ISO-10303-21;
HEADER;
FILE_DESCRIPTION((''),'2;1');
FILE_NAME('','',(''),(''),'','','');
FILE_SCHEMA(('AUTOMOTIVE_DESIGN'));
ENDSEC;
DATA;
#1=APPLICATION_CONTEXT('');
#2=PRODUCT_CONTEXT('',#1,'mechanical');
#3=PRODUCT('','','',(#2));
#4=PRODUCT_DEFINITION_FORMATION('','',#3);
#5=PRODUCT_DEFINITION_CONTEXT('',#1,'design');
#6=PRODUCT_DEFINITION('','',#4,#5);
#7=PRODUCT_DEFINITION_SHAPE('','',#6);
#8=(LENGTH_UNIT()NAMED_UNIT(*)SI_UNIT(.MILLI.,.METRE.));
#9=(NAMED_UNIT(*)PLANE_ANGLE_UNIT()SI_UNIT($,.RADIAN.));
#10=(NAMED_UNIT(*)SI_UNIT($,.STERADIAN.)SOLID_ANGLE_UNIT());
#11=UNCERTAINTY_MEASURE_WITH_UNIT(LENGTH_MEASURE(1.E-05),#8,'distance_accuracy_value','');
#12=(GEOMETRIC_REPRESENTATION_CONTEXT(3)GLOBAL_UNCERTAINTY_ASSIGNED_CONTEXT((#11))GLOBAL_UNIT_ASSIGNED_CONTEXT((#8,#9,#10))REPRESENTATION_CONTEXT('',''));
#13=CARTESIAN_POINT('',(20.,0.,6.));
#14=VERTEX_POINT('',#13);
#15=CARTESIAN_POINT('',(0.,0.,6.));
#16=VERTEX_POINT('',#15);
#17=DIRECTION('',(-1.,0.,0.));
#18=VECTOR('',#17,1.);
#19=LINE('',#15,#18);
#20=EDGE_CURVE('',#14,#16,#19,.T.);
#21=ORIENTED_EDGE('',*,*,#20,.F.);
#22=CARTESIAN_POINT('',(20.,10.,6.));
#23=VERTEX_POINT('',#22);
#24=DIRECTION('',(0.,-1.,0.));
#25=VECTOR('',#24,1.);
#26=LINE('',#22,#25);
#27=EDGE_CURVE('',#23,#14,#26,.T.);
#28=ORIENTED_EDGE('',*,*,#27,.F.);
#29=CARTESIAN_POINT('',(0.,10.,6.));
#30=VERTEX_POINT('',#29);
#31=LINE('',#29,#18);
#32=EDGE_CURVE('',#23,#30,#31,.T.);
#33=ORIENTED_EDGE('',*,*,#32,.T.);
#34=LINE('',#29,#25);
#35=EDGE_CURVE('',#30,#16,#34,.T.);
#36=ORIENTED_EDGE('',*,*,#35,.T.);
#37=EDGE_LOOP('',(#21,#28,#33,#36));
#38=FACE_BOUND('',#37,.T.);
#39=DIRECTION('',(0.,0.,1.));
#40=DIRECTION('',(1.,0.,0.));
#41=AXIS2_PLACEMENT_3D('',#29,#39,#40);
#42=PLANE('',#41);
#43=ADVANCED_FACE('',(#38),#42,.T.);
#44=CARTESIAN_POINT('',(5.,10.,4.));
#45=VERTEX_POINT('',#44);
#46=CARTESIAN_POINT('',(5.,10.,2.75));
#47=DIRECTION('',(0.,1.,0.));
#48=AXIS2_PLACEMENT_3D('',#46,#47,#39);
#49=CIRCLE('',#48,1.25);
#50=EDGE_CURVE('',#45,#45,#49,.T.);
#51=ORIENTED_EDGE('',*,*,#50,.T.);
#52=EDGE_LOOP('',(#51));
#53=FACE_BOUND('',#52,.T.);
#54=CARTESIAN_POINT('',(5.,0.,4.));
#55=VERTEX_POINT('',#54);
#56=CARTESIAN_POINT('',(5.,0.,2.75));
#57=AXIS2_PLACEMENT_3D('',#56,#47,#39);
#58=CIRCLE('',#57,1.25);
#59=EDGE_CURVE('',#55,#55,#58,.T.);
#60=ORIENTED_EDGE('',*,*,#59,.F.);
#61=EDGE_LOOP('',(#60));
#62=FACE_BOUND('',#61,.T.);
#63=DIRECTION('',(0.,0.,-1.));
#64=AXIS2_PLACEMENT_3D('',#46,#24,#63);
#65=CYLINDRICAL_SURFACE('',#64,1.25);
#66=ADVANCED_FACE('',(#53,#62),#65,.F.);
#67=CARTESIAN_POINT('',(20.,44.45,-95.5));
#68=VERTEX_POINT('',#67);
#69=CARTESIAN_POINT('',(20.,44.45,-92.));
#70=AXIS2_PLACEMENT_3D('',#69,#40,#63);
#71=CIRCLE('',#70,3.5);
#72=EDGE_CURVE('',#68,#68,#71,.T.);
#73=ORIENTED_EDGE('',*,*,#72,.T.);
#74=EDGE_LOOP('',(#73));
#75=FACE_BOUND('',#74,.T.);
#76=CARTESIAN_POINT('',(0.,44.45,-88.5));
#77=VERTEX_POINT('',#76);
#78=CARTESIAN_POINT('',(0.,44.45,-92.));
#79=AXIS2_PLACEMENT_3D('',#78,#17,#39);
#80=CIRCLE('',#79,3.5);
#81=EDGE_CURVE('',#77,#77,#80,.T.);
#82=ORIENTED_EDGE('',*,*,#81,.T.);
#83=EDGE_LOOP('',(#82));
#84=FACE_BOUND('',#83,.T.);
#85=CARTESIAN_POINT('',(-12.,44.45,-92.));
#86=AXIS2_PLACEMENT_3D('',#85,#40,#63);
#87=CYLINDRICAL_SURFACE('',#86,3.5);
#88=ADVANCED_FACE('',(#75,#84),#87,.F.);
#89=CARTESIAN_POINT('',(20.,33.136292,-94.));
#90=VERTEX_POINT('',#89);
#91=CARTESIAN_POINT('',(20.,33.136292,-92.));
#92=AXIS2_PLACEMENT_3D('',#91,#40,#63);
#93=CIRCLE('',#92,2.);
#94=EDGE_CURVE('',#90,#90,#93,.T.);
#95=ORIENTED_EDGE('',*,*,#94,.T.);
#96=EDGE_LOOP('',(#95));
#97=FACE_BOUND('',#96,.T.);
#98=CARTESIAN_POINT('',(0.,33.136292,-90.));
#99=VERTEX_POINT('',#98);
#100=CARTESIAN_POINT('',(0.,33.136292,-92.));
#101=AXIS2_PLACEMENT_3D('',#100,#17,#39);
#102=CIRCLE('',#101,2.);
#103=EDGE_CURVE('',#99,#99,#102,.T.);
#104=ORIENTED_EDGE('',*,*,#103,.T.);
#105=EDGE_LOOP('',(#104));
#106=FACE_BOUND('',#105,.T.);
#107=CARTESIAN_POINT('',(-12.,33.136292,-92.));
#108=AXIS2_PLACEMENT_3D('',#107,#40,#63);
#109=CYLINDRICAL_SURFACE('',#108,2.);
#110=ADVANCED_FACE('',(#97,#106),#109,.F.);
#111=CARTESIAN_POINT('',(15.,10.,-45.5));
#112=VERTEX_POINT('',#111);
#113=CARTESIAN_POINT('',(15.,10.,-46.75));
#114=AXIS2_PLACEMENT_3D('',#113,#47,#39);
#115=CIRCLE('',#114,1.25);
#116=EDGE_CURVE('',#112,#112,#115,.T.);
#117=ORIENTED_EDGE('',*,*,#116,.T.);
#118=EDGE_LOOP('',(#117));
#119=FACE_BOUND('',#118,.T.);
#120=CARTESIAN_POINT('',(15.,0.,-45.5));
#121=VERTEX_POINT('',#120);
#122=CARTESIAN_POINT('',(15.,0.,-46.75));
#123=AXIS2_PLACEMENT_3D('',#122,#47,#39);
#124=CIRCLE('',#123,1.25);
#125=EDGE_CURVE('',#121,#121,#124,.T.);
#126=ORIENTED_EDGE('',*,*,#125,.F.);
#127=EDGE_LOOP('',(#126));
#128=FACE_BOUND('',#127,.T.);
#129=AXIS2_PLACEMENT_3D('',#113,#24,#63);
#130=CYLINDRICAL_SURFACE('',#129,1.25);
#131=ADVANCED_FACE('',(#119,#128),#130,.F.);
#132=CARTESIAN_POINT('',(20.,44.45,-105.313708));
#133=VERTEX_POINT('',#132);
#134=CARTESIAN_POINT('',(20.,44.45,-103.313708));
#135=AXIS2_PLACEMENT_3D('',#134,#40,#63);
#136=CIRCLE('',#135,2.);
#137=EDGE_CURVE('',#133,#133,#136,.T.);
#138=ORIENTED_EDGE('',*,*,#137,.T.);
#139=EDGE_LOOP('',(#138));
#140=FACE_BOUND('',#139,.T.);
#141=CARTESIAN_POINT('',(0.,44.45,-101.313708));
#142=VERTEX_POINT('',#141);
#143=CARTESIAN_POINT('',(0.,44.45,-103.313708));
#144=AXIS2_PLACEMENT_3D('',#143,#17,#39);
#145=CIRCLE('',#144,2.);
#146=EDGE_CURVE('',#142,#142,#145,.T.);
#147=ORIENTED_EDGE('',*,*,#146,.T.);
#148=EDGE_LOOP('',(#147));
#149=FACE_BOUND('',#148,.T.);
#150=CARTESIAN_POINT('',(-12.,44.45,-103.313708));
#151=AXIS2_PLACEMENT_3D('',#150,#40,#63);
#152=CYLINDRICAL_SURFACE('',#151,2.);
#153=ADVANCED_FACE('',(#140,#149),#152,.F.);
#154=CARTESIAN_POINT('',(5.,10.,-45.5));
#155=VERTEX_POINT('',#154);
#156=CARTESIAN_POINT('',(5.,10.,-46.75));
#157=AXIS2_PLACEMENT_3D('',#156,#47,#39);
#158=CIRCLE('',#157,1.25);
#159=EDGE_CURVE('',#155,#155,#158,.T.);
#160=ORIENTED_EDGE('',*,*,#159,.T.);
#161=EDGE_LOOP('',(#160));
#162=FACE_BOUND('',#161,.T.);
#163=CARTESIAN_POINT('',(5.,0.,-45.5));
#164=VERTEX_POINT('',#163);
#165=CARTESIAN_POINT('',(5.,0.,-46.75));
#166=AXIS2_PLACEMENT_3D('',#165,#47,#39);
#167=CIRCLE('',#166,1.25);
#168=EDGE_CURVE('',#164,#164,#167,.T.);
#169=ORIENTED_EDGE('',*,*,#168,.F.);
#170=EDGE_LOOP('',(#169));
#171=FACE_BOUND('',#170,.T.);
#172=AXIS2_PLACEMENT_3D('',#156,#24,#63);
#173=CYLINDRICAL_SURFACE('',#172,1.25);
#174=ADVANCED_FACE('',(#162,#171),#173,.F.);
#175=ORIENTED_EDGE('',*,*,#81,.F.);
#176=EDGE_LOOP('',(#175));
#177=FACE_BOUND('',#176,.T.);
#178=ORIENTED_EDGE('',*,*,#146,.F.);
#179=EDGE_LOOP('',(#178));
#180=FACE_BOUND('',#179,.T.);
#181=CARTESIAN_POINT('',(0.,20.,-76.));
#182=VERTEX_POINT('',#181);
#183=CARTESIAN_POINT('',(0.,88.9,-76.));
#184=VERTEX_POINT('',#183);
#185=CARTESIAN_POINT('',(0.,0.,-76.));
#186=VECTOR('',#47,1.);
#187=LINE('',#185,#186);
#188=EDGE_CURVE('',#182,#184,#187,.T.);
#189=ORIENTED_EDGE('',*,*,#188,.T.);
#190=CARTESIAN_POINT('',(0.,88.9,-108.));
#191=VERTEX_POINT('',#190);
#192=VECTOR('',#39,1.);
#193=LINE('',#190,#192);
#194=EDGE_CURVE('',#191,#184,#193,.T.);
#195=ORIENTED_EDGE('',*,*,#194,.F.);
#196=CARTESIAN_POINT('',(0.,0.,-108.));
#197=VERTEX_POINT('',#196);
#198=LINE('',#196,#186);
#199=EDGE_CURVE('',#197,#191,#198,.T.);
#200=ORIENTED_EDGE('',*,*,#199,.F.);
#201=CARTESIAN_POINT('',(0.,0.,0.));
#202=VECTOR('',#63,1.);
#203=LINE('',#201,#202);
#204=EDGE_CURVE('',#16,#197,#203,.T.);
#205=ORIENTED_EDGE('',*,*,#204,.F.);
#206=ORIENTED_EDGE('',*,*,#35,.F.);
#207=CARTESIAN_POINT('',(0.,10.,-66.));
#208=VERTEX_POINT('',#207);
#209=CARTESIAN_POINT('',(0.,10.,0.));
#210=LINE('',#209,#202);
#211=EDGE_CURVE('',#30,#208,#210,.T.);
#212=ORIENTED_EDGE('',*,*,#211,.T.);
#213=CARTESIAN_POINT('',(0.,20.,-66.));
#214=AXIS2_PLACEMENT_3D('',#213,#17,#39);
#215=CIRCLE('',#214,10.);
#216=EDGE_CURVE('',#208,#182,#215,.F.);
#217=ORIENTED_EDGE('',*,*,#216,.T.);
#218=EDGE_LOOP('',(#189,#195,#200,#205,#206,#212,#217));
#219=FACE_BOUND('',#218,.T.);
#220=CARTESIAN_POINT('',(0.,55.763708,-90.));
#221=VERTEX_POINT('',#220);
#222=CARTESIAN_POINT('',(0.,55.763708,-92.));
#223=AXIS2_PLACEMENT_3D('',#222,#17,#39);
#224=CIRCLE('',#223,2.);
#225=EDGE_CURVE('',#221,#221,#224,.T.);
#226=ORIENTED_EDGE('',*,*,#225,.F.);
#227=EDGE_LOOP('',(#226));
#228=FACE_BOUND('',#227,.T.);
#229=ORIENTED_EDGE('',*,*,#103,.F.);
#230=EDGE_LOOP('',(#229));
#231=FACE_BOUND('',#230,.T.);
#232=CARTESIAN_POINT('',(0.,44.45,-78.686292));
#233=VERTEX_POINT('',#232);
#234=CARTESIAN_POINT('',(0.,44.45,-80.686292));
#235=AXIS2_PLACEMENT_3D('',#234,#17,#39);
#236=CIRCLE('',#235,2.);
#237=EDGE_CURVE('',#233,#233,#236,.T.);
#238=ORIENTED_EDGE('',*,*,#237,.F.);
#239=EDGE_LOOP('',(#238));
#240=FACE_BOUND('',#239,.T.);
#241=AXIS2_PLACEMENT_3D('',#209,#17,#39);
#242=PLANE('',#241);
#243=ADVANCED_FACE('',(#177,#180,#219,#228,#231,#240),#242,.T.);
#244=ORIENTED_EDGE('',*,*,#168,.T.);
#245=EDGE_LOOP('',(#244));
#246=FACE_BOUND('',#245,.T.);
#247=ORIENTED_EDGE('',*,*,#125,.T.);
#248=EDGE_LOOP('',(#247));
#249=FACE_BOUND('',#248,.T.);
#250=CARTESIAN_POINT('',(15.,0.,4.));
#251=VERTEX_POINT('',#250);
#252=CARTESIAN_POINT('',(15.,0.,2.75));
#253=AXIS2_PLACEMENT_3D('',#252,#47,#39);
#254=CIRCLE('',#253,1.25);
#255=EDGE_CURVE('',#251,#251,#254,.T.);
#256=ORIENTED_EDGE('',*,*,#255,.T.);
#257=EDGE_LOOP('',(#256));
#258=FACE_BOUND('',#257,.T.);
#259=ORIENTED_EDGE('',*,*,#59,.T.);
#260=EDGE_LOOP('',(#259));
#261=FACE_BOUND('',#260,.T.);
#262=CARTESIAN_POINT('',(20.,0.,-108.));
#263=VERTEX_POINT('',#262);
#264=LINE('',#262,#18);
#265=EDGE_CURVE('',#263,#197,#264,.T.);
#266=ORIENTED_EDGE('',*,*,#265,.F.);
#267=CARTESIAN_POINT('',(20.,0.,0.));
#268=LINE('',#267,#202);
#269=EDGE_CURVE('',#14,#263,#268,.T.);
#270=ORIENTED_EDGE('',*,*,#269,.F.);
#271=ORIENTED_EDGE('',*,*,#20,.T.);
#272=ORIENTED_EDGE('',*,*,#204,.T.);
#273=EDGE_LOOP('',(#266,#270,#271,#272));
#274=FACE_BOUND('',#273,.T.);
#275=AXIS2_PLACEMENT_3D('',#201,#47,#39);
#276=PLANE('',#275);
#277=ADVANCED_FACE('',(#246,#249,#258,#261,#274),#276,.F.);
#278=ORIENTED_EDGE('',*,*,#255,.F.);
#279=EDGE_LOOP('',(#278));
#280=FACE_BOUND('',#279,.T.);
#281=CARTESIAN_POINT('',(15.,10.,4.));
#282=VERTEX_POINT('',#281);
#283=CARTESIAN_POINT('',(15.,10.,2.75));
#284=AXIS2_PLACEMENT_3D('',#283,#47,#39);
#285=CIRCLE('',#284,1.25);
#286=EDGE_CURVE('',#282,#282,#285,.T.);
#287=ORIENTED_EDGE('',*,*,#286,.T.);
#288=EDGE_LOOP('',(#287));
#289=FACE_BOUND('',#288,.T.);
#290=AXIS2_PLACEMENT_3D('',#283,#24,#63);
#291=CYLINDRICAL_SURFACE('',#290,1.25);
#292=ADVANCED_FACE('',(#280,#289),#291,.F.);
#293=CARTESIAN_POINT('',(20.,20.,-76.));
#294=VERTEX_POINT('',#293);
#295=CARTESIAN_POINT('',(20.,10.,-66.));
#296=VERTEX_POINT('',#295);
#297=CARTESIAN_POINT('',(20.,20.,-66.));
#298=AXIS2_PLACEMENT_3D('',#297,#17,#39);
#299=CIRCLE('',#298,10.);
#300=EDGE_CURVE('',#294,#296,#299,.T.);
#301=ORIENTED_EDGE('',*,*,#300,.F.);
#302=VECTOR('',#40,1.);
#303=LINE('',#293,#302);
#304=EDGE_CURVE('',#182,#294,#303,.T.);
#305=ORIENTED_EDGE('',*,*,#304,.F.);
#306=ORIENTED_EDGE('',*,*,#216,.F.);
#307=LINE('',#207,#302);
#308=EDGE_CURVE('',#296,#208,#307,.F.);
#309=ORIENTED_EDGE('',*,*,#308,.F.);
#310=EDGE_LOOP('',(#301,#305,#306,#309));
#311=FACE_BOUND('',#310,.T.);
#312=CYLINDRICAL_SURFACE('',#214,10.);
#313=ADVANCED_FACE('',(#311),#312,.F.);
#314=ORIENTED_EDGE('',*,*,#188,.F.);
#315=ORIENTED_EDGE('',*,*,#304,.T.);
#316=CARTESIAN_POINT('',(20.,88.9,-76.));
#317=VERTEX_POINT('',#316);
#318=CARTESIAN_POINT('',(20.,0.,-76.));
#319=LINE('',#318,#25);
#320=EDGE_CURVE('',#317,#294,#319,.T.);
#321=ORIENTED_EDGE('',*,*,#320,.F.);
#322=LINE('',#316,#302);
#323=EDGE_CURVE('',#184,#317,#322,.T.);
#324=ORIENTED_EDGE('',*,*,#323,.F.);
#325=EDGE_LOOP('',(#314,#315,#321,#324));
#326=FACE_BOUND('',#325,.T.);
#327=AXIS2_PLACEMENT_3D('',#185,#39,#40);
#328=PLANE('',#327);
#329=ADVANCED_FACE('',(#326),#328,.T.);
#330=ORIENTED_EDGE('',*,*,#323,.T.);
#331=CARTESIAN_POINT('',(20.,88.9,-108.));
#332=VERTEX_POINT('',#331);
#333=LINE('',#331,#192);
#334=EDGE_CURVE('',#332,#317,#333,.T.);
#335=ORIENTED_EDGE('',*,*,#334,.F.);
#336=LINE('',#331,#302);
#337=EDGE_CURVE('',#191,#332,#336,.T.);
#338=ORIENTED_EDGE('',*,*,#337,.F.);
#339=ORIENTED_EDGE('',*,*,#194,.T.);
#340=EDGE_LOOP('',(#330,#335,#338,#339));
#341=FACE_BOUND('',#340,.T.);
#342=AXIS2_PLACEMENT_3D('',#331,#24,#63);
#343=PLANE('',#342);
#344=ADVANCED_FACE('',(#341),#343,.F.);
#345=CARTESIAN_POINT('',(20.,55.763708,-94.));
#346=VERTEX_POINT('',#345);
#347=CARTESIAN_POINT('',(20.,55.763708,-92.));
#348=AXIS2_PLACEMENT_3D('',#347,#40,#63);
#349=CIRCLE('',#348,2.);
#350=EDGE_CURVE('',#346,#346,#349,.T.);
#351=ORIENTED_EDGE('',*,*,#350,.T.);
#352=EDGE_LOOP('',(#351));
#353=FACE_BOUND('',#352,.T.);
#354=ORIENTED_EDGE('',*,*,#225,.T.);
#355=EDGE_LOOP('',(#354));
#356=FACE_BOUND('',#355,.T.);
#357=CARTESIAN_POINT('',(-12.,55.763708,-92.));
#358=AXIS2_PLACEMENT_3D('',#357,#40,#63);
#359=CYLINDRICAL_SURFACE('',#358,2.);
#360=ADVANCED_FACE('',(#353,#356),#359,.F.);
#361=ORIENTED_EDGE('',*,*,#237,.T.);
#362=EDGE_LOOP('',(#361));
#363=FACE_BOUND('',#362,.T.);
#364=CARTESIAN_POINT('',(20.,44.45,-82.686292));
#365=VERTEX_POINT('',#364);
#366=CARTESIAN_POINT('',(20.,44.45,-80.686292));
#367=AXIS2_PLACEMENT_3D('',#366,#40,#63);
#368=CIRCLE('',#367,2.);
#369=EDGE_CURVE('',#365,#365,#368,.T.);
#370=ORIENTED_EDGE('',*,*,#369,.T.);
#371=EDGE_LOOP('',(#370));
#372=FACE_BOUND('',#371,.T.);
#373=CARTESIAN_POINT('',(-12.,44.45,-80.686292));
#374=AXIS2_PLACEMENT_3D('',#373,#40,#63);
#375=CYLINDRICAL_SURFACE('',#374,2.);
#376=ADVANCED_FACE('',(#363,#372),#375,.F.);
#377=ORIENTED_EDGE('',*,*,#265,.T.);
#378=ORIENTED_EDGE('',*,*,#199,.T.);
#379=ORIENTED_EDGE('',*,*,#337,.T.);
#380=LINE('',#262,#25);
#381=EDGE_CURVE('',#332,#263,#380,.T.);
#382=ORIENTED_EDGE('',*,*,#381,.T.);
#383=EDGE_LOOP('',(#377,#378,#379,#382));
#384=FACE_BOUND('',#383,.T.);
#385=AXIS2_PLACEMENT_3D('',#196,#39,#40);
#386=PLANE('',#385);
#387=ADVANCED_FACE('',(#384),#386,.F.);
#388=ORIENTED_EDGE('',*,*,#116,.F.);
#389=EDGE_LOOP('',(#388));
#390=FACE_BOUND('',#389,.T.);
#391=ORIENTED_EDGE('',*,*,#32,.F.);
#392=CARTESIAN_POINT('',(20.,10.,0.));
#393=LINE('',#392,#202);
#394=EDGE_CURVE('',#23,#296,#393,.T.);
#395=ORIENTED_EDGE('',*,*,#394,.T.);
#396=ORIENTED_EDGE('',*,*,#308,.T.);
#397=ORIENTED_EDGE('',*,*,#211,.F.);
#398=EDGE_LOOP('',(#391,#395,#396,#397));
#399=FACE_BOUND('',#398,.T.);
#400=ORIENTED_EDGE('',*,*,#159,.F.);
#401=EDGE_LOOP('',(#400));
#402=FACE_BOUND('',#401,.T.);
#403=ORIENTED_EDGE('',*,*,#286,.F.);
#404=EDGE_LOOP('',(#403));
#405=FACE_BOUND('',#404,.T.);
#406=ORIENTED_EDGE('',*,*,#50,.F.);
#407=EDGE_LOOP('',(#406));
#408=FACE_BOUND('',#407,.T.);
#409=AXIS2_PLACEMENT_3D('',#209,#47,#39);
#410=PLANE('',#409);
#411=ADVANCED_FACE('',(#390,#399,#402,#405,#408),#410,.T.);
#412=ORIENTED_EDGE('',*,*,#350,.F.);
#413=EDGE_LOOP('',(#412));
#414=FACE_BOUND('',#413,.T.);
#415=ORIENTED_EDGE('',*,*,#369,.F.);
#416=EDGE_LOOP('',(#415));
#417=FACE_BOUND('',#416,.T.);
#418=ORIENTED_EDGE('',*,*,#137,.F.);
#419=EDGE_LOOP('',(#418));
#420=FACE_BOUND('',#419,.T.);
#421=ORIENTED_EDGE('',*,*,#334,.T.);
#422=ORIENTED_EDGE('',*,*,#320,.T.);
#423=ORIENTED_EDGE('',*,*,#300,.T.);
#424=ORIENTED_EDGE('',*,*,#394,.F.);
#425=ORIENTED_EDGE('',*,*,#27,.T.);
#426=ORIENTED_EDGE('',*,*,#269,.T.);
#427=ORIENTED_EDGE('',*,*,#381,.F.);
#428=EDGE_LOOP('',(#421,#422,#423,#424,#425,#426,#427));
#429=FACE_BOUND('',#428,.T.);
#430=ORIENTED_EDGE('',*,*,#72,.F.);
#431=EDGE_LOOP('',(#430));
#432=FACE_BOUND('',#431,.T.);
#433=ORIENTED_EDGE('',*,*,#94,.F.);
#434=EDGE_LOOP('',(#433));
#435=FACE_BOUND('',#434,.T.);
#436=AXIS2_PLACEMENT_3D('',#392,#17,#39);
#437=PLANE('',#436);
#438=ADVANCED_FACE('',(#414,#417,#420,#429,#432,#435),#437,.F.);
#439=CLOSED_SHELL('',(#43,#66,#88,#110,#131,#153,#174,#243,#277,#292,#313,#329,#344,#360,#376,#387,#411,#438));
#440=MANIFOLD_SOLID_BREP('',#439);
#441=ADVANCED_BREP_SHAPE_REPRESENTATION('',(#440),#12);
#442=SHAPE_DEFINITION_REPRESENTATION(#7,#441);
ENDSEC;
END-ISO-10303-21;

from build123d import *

# Parameters (mm, degrees)
SKETCH1_W           = 20
SKETCH1_H           = 82
SKETCH1_R           = 1.25
BOSS_EXTRUDE1_DEPTH = 10
SKETCH2_W           = 20
SKETCH2_H           = 88.9
BOSS_EXTRUDE2_DEPTH = 32
FILLET1_R           = 10
SKETCH3_R           = 2
SKETCH3_R_2         = 3.5
CUT_EXTRUDE1_DEPTH  = 32


with BuildPart() as part:
    # Sketch1 → Boss-Extrude1 (new body)
    with BuildSketch(Plane(origin=(0, 0, 0), x_dir=(1, 0, 0), z_dir=(0, 1, 0))):
        with Locations((10, 35)):
            Rectangle(SKETCH1_W, SKETCH1_H)
        with Locations(Location((5, 46.75, 0), (0, 0, 270))):
            Circle(SKETCH1_R, mode=Mode.SUBTRACT)
        with Locations(Location((15, 46.75, 0), (0, 0, 270))):
            Circle(SKETCH1_R, mode=Mode.SUBTRACT)
        with Locations(Location((5, -2.75, 0), (0, 0, 270))):
            Circle(SKETCH1_R, mode=Mode.SUBTRACT)
        with Locations(Location((15, -2.75, 0), (0, 0, 270))):
            Circle(SKETCH1_R, mode=Mode.SUBTRACT)
    extrude(amount=BOSS_EXTRUDE1_DEPTH)

    # Sketch2 → Boss-Extrude2 (add)
    with BuildSketch(Plane(origin=(0, 0, -76), x_dir=(-1, 0, 0), z_dir=(0, 0, -1))):
        with Locations((-10, 44.45)):
            Rectangle(SKETCH2_W, SKETCH2_H)
    extrude(amount=BOSS_EXTRUDE2_DEPTH)

    # Fillet1
    fillet1_edges = [part.edges().sort_by_distance(p)[0] for p in [
        (10, 10, -76),
    ]]
    fillet(fillet1_edges, radius=FILLET1_R)

    # Sketch3 → Cut-Extrude1 (cut)
    with BuildSketch(Plane(origin=(20, 0, 0), x_dir=(0, 0, -1), z_dir=(1, 0, 0))):
        with Locations((92, 33.136291501)):
            Circle(SKETCH3_R)
        with Locations((103.313708499, 44.45)):
            Circle(SKETCH3_R)
        with Locations((80.686291501, 44.45)):
            Circle(SKETCH3_R)
        with Locations((92, 55.763708499)):
            Circle(SKETCH3_R)
        with Locations((92, 44.45)):
            Circle(SKETCH3_R_2)
    extrude(amount=-CUT_EXTRUDE1_DEPTH, mode=Mode.SUBTRACT)


solid = part.part
